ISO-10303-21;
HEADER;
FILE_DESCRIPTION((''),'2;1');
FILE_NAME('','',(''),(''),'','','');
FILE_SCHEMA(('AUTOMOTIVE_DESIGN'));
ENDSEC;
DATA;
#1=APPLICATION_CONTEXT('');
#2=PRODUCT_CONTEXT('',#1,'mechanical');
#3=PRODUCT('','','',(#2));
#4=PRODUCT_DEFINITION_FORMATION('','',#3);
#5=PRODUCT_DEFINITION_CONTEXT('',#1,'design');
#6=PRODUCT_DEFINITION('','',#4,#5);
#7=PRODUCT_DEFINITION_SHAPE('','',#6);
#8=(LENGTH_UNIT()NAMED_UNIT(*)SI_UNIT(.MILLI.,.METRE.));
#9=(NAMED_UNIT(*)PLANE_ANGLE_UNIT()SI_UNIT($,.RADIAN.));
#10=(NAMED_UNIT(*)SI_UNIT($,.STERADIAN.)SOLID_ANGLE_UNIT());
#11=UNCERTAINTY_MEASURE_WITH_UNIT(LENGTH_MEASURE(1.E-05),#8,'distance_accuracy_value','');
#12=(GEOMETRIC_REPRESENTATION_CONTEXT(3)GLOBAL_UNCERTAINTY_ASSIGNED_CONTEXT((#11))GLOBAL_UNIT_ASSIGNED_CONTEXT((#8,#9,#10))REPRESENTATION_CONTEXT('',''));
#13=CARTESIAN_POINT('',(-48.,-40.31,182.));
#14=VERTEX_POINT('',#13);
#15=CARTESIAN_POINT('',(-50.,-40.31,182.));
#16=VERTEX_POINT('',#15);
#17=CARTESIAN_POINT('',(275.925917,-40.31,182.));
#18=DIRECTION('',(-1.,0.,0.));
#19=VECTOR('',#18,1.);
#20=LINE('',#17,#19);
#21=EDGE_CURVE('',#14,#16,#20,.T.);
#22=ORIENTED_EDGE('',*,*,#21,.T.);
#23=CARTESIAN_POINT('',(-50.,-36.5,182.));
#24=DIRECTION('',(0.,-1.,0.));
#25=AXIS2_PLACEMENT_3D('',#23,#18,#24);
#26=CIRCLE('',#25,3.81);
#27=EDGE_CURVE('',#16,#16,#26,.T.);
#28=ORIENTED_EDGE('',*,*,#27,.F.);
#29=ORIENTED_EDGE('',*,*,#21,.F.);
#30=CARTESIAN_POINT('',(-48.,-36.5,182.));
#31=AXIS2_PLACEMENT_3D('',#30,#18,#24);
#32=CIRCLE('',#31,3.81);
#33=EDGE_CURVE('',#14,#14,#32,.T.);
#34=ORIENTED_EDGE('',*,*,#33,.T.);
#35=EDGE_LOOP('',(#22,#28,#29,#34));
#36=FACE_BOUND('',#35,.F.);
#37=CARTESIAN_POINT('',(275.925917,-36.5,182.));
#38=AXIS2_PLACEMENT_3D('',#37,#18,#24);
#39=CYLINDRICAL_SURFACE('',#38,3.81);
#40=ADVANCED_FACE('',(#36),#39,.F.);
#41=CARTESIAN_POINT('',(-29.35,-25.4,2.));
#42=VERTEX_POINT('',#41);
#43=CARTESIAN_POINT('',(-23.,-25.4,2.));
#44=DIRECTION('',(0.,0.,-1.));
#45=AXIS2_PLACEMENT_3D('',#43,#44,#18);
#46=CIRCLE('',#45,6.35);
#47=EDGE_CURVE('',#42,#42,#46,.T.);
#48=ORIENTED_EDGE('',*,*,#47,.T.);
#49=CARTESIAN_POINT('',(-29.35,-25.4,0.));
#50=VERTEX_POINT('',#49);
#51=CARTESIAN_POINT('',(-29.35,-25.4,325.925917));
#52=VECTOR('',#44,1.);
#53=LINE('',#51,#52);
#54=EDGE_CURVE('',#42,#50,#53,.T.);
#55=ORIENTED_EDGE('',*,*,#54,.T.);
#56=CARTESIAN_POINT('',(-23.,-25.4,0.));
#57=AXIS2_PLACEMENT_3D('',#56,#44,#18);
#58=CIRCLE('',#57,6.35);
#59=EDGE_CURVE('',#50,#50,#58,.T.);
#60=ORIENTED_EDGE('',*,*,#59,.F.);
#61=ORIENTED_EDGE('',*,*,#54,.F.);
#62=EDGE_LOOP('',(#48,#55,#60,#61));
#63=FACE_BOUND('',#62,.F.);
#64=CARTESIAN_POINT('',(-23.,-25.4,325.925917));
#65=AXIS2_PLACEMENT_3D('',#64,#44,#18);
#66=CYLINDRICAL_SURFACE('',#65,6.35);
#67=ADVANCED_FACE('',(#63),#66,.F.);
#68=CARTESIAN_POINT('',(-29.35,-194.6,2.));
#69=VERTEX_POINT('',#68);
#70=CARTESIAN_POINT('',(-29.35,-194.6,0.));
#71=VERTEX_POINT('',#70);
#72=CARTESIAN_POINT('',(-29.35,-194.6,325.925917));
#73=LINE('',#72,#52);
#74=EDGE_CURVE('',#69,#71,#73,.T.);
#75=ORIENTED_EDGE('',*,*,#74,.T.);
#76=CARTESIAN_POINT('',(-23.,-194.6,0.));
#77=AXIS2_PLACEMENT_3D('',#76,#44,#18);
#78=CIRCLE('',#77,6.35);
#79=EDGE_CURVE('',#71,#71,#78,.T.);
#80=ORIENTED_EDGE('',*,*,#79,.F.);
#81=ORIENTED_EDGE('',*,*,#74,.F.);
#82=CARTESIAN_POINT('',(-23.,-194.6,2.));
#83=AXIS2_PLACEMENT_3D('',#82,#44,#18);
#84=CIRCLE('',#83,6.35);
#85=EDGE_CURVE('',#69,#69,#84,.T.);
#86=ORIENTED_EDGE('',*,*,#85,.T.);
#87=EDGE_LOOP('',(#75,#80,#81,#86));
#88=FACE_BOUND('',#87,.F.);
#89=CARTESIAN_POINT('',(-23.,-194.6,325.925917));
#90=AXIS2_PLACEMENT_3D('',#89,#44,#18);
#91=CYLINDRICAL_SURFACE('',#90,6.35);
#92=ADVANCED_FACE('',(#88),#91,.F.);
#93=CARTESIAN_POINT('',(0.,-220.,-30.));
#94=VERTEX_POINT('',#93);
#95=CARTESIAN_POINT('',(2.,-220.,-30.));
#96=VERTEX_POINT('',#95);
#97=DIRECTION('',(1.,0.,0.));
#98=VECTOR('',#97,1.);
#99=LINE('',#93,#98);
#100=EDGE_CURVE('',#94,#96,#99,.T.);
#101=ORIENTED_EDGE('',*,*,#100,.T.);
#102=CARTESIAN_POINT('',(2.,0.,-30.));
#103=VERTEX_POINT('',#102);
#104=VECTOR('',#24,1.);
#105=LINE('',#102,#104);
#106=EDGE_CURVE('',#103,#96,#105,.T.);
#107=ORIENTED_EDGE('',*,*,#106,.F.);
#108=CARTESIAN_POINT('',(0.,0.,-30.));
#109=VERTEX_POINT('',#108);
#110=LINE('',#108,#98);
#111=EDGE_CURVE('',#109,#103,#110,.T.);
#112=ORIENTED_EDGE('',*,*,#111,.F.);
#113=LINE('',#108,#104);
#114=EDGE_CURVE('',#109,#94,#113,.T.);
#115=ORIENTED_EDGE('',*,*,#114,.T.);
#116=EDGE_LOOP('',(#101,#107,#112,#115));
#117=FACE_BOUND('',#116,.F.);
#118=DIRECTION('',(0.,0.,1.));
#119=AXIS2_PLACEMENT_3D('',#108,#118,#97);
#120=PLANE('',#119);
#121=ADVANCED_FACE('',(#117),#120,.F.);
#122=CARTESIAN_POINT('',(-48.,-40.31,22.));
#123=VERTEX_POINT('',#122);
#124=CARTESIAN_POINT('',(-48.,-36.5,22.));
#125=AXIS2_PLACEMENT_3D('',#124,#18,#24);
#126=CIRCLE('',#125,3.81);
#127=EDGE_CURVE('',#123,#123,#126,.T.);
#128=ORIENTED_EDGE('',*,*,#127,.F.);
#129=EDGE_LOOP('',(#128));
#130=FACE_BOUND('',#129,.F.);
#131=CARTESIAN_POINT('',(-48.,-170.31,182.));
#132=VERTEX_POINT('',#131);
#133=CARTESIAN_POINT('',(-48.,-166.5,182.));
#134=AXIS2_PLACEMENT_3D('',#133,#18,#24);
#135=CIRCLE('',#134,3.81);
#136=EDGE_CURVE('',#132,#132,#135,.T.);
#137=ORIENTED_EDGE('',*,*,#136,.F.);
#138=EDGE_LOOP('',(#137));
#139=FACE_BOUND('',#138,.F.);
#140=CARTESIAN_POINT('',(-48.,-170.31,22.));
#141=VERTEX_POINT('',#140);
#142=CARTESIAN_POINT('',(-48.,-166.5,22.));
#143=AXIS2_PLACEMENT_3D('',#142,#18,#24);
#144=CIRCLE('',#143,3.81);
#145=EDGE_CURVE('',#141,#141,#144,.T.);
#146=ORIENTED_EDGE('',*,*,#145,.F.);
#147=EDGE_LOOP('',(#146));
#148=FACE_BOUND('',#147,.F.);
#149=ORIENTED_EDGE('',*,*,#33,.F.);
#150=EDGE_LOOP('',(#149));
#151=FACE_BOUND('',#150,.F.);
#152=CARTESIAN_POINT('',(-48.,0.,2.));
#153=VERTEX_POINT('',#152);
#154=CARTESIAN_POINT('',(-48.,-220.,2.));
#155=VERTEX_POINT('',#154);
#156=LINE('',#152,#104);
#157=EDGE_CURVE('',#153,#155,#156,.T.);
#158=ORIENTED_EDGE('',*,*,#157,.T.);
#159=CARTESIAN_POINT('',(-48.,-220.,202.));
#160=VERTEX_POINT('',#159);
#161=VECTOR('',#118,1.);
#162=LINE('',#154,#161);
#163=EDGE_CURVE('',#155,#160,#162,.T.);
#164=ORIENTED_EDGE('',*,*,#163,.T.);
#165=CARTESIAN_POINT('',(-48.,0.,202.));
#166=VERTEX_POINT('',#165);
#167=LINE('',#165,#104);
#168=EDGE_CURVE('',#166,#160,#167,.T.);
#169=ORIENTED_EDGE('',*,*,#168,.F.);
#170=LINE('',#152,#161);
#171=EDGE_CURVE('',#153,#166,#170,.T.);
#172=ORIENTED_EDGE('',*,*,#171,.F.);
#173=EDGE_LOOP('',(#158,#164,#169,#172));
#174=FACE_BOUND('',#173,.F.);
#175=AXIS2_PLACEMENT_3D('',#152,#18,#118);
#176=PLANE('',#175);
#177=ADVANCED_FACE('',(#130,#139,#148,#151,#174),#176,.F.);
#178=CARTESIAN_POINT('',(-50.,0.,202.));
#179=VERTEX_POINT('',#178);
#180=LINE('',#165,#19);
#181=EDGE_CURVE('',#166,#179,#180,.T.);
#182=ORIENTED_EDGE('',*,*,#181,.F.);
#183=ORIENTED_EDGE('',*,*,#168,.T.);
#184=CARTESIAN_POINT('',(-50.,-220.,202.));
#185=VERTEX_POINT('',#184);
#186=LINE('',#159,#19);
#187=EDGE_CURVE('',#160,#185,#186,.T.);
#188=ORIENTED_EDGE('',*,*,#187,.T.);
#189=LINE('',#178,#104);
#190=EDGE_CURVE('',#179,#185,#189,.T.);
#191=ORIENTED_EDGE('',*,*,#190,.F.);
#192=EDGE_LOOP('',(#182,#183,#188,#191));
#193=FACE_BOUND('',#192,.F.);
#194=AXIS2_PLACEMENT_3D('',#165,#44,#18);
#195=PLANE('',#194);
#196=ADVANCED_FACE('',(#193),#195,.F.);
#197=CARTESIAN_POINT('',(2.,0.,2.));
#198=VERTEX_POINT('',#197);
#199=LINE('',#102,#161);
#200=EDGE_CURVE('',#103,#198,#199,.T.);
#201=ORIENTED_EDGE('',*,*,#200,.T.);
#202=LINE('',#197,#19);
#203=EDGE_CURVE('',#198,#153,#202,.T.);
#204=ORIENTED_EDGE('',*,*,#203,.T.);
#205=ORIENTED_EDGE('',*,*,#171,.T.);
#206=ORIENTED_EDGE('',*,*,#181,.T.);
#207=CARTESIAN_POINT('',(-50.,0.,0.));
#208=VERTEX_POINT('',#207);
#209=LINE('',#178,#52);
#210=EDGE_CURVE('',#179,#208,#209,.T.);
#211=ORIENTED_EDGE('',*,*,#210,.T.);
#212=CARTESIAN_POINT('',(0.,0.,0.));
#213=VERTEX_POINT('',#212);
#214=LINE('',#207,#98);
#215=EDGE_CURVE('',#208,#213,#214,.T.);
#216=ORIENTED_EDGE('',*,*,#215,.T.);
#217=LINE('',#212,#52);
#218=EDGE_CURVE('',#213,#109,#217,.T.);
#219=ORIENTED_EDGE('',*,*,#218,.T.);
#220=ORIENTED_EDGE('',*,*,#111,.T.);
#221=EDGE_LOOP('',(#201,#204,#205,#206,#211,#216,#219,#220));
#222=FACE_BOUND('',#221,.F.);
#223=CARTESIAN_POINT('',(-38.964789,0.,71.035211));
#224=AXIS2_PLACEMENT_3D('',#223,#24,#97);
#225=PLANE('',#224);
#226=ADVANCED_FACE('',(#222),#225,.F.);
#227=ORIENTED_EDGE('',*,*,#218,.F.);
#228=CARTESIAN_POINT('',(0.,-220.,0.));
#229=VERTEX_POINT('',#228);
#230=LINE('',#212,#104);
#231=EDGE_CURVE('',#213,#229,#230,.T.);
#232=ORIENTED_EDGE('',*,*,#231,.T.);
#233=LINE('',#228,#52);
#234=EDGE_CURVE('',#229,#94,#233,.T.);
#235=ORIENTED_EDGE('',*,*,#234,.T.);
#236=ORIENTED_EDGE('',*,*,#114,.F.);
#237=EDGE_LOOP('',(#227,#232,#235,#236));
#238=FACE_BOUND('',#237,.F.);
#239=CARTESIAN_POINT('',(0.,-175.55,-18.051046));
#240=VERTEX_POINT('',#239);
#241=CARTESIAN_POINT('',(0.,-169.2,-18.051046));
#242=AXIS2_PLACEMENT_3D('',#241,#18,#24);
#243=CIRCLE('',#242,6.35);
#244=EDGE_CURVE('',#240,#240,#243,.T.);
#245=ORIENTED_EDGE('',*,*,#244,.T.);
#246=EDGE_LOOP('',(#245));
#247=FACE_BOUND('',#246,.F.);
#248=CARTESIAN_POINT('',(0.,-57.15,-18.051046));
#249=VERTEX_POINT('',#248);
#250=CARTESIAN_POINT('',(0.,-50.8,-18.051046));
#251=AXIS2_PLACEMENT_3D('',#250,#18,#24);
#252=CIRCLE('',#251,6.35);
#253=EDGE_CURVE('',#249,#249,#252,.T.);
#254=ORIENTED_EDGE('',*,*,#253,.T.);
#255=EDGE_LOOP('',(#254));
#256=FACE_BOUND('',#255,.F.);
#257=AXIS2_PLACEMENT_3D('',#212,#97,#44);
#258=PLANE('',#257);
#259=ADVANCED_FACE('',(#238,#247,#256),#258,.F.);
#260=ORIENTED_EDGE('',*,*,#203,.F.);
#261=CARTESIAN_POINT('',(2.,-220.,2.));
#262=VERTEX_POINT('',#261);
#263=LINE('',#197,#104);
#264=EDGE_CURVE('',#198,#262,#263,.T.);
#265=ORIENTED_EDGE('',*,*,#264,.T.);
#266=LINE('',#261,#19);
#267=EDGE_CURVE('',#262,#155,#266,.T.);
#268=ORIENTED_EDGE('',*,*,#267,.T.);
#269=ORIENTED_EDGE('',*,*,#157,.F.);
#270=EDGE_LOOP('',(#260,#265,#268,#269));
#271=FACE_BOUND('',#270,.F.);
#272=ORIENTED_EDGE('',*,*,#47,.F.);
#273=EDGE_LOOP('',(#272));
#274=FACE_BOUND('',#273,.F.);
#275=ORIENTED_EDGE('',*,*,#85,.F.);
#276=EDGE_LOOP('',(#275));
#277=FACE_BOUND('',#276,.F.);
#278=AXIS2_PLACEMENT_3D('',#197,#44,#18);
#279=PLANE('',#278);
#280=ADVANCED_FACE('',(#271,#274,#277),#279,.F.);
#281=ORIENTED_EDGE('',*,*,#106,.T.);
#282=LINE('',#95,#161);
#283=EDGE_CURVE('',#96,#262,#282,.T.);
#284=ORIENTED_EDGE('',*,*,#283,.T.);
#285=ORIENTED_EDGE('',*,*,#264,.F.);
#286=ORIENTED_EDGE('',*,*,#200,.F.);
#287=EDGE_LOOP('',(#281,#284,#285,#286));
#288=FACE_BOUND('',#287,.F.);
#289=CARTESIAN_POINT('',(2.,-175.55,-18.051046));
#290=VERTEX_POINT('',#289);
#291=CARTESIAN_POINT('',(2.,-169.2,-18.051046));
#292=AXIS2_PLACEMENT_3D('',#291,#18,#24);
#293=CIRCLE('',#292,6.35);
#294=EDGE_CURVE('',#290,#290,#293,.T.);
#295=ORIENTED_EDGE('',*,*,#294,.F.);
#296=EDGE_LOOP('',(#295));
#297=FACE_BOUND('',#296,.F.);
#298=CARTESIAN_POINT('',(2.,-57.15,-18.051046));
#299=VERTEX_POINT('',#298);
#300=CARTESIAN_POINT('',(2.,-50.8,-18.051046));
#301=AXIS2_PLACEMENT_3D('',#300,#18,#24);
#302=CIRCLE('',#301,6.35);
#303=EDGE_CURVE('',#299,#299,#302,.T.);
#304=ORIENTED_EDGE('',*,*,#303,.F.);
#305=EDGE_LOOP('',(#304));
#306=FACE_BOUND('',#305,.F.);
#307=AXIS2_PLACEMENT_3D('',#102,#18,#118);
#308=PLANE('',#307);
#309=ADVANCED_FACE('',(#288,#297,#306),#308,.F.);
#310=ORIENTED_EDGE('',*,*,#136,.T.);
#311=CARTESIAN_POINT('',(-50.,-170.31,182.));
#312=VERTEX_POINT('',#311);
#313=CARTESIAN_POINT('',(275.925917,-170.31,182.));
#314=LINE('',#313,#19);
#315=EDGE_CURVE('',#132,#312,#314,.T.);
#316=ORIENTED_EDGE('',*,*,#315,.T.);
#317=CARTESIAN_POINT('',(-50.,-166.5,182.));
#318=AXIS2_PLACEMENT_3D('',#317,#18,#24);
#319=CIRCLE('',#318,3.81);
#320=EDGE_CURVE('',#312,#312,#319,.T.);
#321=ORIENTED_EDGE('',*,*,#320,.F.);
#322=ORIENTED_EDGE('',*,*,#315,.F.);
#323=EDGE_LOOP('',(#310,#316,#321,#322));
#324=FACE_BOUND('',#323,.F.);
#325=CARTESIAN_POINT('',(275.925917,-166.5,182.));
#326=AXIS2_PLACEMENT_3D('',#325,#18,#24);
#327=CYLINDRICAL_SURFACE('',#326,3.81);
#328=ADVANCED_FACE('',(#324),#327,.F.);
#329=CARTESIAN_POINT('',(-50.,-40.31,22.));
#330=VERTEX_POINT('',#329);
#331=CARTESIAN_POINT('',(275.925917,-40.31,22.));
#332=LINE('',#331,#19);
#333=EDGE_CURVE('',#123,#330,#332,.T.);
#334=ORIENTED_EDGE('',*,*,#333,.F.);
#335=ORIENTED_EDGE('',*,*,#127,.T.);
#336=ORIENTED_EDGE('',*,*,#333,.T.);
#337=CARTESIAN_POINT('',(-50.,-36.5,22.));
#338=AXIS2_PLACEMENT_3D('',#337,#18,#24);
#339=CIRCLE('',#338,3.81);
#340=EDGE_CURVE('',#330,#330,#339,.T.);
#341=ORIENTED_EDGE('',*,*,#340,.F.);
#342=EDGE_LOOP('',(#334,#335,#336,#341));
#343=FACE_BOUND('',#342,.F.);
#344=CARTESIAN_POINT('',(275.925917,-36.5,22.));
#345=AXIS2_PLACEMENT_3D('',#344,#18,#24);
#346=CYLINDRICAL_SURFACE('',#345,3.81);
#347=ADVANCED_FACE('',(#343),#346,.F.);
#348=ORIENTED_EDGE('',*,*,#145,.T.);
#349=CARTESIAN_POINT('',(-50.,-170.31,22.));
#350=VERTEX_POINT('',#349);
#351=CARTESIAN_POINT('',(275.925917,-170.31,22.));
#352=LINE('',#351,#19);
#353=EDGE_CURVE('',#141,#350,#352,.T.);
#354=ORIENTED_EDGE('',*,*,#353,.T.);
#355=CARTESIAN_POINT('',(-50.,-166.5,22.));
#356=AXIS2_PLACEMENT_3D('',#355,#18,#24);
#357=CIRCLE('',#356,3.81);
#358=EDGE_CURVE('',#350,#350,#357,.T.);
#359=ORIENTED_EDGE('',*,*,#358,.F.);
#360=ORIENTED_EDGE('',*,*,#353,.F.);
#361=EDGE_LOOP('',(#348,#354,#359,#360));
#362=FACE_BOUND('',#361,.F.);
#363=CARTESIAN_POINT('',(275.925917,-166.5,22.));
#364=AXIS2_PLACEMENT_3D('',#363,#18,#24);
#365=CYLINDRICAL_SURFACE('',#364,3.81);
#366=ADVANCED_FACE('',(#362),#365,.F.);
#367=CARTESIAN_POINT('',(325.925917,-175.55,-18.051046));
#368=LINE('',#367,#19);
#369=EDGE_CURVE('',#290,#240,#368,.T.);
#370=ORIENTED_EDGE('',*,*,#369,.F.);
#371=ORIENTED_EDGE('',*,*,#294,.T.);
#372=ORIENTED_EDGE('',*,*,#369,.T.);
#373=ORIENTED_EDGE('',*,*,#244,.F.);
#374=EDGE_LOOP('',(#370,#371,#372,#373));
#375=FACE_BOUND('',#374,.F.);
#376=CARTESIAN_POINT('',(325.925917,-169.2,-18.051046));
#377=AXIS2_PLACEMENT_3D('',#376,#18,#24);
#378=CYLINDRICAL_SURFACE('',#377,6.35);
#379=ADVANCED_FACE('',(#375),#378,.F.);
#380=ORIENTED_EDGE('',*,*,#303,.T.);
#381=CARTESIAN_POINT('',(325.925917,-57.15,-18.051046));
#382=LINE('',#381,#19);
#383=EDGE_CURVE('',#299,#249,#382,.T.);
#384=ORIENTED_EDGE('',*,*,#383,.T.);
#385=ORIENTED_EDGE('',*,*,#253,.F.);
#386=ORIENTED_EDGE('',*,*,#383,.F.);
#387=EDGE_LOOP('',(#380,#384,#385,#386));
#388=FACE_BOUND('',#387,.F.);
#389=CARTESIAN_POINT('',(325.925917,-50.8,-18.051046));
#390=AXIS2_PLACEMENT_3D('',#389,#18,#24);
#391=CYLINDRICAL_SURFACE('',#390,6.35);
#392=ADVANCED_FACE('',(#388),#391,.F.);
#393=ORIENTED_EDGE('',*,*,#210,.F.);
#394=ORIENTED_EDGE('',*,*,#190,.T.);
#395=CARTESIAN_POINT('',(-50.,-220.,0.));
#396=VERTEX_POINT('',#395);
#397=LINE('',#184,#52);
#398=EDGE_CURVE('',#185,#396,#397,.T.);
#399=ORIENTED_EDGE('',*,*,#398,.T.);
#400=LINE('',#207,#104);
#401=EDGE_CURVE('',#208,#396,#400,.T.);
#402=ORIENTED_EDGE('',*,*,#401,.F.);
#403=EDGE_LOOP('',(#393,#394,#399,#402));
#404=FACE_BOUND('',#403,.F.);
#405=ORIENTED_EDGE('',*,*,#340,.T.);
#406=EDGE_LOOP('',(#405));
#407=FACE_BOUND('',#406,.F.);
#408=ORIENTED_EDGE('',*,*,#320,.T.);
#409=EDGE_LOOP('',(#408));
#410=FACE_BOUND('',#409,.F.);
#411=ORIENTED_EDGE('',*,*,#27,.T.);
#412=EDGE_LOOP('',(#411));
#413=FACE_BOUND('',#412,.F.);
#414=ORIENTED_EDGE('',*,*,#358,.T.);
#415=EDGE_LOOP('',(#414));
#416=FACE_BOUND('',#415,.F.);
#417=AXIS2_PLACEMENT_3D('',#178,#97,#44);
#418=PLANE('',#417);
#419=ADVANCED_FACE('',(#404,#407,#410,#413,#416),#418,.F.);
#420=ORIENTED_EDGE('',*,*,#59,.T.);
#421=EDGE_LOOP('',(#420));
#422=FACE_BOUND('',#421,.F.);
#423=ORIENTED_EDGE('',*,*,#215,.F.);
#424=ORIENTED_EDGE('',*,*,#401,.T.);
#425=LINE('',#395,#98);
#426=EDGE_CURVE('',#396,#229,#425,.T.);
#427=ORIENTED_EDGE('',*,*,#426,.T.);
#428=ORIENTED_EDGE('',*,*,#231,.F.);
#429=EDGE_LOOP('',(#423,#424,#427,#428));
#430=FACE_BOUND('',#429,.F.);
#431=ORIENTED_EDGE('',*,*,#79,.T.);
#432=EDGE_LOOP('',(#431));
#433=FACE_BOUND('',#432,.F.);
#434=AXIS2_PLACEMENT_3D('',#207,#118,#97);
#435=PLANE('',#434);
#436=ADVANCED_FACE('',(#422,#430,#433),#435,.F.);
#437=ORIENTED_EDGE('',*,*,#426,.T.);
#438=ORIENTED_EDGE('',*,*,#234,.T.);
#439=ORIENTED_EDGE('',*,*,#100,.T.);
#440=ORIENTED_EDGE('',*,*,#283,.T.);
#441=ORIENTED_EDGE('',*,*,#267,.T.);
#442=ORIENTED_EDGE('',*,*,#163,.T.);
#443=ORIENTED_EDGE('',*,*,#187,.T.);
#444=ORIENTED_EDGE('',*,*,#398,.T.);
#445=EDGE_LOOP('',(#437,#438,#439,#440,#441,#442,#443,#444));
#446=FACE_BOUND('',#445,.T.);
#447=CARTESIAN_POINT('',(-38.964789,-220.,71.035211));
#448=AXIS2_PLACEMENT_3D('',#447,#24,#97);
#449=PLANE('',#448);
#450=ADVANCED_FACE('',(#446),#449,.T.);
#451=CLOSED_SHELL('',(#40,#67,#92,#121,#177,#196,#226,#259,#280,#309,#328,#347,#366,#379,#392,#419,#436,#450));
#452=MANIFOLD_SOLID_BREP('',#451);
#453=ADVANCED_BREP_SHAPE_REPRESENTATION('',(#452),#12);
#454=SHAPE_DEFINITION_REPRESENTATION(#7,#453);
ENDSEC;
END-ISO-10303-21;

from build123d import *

# Parameters (mm, degrees)
F1_DEPTH = 220
F3_D     = 12.7
F5_D     = 7.62
F7_D     = 12.7


with BuildPart() as f1:
    # F0 (on Front) → F1 (new body)
    with BuildSketch(Plane.XZ):
        Polygon((0, 0), (0, -30), (2, -30), (2, 2), (-48, 2), (-48, 202), (-50, 202), (-50, 0), align=None)
    extrude(amount=F1_DEPTH)

    # F3 (through all)
    with Locations(Plane.YZ.offset(2)):
        with Locations((-169.2, -18.051046), (-50.8, -18.051046)):
            Hole(F3_D / 2)

    # F5 (through all)
    with Locations(Plane.YZ.offset(-48)):
        with Locations((-166.5, 182), (-36.5, 182), (-36.5, 22), (-166.5, 22)):
            Hole(F5_D / 2)

    # F7 (through all)
    with Locations(Plane.XY.offset(2)):
        with Locations((-23, -25.4), (-23, -194.6)):
            Hole(F7_D / 2)


solid = f1.part
